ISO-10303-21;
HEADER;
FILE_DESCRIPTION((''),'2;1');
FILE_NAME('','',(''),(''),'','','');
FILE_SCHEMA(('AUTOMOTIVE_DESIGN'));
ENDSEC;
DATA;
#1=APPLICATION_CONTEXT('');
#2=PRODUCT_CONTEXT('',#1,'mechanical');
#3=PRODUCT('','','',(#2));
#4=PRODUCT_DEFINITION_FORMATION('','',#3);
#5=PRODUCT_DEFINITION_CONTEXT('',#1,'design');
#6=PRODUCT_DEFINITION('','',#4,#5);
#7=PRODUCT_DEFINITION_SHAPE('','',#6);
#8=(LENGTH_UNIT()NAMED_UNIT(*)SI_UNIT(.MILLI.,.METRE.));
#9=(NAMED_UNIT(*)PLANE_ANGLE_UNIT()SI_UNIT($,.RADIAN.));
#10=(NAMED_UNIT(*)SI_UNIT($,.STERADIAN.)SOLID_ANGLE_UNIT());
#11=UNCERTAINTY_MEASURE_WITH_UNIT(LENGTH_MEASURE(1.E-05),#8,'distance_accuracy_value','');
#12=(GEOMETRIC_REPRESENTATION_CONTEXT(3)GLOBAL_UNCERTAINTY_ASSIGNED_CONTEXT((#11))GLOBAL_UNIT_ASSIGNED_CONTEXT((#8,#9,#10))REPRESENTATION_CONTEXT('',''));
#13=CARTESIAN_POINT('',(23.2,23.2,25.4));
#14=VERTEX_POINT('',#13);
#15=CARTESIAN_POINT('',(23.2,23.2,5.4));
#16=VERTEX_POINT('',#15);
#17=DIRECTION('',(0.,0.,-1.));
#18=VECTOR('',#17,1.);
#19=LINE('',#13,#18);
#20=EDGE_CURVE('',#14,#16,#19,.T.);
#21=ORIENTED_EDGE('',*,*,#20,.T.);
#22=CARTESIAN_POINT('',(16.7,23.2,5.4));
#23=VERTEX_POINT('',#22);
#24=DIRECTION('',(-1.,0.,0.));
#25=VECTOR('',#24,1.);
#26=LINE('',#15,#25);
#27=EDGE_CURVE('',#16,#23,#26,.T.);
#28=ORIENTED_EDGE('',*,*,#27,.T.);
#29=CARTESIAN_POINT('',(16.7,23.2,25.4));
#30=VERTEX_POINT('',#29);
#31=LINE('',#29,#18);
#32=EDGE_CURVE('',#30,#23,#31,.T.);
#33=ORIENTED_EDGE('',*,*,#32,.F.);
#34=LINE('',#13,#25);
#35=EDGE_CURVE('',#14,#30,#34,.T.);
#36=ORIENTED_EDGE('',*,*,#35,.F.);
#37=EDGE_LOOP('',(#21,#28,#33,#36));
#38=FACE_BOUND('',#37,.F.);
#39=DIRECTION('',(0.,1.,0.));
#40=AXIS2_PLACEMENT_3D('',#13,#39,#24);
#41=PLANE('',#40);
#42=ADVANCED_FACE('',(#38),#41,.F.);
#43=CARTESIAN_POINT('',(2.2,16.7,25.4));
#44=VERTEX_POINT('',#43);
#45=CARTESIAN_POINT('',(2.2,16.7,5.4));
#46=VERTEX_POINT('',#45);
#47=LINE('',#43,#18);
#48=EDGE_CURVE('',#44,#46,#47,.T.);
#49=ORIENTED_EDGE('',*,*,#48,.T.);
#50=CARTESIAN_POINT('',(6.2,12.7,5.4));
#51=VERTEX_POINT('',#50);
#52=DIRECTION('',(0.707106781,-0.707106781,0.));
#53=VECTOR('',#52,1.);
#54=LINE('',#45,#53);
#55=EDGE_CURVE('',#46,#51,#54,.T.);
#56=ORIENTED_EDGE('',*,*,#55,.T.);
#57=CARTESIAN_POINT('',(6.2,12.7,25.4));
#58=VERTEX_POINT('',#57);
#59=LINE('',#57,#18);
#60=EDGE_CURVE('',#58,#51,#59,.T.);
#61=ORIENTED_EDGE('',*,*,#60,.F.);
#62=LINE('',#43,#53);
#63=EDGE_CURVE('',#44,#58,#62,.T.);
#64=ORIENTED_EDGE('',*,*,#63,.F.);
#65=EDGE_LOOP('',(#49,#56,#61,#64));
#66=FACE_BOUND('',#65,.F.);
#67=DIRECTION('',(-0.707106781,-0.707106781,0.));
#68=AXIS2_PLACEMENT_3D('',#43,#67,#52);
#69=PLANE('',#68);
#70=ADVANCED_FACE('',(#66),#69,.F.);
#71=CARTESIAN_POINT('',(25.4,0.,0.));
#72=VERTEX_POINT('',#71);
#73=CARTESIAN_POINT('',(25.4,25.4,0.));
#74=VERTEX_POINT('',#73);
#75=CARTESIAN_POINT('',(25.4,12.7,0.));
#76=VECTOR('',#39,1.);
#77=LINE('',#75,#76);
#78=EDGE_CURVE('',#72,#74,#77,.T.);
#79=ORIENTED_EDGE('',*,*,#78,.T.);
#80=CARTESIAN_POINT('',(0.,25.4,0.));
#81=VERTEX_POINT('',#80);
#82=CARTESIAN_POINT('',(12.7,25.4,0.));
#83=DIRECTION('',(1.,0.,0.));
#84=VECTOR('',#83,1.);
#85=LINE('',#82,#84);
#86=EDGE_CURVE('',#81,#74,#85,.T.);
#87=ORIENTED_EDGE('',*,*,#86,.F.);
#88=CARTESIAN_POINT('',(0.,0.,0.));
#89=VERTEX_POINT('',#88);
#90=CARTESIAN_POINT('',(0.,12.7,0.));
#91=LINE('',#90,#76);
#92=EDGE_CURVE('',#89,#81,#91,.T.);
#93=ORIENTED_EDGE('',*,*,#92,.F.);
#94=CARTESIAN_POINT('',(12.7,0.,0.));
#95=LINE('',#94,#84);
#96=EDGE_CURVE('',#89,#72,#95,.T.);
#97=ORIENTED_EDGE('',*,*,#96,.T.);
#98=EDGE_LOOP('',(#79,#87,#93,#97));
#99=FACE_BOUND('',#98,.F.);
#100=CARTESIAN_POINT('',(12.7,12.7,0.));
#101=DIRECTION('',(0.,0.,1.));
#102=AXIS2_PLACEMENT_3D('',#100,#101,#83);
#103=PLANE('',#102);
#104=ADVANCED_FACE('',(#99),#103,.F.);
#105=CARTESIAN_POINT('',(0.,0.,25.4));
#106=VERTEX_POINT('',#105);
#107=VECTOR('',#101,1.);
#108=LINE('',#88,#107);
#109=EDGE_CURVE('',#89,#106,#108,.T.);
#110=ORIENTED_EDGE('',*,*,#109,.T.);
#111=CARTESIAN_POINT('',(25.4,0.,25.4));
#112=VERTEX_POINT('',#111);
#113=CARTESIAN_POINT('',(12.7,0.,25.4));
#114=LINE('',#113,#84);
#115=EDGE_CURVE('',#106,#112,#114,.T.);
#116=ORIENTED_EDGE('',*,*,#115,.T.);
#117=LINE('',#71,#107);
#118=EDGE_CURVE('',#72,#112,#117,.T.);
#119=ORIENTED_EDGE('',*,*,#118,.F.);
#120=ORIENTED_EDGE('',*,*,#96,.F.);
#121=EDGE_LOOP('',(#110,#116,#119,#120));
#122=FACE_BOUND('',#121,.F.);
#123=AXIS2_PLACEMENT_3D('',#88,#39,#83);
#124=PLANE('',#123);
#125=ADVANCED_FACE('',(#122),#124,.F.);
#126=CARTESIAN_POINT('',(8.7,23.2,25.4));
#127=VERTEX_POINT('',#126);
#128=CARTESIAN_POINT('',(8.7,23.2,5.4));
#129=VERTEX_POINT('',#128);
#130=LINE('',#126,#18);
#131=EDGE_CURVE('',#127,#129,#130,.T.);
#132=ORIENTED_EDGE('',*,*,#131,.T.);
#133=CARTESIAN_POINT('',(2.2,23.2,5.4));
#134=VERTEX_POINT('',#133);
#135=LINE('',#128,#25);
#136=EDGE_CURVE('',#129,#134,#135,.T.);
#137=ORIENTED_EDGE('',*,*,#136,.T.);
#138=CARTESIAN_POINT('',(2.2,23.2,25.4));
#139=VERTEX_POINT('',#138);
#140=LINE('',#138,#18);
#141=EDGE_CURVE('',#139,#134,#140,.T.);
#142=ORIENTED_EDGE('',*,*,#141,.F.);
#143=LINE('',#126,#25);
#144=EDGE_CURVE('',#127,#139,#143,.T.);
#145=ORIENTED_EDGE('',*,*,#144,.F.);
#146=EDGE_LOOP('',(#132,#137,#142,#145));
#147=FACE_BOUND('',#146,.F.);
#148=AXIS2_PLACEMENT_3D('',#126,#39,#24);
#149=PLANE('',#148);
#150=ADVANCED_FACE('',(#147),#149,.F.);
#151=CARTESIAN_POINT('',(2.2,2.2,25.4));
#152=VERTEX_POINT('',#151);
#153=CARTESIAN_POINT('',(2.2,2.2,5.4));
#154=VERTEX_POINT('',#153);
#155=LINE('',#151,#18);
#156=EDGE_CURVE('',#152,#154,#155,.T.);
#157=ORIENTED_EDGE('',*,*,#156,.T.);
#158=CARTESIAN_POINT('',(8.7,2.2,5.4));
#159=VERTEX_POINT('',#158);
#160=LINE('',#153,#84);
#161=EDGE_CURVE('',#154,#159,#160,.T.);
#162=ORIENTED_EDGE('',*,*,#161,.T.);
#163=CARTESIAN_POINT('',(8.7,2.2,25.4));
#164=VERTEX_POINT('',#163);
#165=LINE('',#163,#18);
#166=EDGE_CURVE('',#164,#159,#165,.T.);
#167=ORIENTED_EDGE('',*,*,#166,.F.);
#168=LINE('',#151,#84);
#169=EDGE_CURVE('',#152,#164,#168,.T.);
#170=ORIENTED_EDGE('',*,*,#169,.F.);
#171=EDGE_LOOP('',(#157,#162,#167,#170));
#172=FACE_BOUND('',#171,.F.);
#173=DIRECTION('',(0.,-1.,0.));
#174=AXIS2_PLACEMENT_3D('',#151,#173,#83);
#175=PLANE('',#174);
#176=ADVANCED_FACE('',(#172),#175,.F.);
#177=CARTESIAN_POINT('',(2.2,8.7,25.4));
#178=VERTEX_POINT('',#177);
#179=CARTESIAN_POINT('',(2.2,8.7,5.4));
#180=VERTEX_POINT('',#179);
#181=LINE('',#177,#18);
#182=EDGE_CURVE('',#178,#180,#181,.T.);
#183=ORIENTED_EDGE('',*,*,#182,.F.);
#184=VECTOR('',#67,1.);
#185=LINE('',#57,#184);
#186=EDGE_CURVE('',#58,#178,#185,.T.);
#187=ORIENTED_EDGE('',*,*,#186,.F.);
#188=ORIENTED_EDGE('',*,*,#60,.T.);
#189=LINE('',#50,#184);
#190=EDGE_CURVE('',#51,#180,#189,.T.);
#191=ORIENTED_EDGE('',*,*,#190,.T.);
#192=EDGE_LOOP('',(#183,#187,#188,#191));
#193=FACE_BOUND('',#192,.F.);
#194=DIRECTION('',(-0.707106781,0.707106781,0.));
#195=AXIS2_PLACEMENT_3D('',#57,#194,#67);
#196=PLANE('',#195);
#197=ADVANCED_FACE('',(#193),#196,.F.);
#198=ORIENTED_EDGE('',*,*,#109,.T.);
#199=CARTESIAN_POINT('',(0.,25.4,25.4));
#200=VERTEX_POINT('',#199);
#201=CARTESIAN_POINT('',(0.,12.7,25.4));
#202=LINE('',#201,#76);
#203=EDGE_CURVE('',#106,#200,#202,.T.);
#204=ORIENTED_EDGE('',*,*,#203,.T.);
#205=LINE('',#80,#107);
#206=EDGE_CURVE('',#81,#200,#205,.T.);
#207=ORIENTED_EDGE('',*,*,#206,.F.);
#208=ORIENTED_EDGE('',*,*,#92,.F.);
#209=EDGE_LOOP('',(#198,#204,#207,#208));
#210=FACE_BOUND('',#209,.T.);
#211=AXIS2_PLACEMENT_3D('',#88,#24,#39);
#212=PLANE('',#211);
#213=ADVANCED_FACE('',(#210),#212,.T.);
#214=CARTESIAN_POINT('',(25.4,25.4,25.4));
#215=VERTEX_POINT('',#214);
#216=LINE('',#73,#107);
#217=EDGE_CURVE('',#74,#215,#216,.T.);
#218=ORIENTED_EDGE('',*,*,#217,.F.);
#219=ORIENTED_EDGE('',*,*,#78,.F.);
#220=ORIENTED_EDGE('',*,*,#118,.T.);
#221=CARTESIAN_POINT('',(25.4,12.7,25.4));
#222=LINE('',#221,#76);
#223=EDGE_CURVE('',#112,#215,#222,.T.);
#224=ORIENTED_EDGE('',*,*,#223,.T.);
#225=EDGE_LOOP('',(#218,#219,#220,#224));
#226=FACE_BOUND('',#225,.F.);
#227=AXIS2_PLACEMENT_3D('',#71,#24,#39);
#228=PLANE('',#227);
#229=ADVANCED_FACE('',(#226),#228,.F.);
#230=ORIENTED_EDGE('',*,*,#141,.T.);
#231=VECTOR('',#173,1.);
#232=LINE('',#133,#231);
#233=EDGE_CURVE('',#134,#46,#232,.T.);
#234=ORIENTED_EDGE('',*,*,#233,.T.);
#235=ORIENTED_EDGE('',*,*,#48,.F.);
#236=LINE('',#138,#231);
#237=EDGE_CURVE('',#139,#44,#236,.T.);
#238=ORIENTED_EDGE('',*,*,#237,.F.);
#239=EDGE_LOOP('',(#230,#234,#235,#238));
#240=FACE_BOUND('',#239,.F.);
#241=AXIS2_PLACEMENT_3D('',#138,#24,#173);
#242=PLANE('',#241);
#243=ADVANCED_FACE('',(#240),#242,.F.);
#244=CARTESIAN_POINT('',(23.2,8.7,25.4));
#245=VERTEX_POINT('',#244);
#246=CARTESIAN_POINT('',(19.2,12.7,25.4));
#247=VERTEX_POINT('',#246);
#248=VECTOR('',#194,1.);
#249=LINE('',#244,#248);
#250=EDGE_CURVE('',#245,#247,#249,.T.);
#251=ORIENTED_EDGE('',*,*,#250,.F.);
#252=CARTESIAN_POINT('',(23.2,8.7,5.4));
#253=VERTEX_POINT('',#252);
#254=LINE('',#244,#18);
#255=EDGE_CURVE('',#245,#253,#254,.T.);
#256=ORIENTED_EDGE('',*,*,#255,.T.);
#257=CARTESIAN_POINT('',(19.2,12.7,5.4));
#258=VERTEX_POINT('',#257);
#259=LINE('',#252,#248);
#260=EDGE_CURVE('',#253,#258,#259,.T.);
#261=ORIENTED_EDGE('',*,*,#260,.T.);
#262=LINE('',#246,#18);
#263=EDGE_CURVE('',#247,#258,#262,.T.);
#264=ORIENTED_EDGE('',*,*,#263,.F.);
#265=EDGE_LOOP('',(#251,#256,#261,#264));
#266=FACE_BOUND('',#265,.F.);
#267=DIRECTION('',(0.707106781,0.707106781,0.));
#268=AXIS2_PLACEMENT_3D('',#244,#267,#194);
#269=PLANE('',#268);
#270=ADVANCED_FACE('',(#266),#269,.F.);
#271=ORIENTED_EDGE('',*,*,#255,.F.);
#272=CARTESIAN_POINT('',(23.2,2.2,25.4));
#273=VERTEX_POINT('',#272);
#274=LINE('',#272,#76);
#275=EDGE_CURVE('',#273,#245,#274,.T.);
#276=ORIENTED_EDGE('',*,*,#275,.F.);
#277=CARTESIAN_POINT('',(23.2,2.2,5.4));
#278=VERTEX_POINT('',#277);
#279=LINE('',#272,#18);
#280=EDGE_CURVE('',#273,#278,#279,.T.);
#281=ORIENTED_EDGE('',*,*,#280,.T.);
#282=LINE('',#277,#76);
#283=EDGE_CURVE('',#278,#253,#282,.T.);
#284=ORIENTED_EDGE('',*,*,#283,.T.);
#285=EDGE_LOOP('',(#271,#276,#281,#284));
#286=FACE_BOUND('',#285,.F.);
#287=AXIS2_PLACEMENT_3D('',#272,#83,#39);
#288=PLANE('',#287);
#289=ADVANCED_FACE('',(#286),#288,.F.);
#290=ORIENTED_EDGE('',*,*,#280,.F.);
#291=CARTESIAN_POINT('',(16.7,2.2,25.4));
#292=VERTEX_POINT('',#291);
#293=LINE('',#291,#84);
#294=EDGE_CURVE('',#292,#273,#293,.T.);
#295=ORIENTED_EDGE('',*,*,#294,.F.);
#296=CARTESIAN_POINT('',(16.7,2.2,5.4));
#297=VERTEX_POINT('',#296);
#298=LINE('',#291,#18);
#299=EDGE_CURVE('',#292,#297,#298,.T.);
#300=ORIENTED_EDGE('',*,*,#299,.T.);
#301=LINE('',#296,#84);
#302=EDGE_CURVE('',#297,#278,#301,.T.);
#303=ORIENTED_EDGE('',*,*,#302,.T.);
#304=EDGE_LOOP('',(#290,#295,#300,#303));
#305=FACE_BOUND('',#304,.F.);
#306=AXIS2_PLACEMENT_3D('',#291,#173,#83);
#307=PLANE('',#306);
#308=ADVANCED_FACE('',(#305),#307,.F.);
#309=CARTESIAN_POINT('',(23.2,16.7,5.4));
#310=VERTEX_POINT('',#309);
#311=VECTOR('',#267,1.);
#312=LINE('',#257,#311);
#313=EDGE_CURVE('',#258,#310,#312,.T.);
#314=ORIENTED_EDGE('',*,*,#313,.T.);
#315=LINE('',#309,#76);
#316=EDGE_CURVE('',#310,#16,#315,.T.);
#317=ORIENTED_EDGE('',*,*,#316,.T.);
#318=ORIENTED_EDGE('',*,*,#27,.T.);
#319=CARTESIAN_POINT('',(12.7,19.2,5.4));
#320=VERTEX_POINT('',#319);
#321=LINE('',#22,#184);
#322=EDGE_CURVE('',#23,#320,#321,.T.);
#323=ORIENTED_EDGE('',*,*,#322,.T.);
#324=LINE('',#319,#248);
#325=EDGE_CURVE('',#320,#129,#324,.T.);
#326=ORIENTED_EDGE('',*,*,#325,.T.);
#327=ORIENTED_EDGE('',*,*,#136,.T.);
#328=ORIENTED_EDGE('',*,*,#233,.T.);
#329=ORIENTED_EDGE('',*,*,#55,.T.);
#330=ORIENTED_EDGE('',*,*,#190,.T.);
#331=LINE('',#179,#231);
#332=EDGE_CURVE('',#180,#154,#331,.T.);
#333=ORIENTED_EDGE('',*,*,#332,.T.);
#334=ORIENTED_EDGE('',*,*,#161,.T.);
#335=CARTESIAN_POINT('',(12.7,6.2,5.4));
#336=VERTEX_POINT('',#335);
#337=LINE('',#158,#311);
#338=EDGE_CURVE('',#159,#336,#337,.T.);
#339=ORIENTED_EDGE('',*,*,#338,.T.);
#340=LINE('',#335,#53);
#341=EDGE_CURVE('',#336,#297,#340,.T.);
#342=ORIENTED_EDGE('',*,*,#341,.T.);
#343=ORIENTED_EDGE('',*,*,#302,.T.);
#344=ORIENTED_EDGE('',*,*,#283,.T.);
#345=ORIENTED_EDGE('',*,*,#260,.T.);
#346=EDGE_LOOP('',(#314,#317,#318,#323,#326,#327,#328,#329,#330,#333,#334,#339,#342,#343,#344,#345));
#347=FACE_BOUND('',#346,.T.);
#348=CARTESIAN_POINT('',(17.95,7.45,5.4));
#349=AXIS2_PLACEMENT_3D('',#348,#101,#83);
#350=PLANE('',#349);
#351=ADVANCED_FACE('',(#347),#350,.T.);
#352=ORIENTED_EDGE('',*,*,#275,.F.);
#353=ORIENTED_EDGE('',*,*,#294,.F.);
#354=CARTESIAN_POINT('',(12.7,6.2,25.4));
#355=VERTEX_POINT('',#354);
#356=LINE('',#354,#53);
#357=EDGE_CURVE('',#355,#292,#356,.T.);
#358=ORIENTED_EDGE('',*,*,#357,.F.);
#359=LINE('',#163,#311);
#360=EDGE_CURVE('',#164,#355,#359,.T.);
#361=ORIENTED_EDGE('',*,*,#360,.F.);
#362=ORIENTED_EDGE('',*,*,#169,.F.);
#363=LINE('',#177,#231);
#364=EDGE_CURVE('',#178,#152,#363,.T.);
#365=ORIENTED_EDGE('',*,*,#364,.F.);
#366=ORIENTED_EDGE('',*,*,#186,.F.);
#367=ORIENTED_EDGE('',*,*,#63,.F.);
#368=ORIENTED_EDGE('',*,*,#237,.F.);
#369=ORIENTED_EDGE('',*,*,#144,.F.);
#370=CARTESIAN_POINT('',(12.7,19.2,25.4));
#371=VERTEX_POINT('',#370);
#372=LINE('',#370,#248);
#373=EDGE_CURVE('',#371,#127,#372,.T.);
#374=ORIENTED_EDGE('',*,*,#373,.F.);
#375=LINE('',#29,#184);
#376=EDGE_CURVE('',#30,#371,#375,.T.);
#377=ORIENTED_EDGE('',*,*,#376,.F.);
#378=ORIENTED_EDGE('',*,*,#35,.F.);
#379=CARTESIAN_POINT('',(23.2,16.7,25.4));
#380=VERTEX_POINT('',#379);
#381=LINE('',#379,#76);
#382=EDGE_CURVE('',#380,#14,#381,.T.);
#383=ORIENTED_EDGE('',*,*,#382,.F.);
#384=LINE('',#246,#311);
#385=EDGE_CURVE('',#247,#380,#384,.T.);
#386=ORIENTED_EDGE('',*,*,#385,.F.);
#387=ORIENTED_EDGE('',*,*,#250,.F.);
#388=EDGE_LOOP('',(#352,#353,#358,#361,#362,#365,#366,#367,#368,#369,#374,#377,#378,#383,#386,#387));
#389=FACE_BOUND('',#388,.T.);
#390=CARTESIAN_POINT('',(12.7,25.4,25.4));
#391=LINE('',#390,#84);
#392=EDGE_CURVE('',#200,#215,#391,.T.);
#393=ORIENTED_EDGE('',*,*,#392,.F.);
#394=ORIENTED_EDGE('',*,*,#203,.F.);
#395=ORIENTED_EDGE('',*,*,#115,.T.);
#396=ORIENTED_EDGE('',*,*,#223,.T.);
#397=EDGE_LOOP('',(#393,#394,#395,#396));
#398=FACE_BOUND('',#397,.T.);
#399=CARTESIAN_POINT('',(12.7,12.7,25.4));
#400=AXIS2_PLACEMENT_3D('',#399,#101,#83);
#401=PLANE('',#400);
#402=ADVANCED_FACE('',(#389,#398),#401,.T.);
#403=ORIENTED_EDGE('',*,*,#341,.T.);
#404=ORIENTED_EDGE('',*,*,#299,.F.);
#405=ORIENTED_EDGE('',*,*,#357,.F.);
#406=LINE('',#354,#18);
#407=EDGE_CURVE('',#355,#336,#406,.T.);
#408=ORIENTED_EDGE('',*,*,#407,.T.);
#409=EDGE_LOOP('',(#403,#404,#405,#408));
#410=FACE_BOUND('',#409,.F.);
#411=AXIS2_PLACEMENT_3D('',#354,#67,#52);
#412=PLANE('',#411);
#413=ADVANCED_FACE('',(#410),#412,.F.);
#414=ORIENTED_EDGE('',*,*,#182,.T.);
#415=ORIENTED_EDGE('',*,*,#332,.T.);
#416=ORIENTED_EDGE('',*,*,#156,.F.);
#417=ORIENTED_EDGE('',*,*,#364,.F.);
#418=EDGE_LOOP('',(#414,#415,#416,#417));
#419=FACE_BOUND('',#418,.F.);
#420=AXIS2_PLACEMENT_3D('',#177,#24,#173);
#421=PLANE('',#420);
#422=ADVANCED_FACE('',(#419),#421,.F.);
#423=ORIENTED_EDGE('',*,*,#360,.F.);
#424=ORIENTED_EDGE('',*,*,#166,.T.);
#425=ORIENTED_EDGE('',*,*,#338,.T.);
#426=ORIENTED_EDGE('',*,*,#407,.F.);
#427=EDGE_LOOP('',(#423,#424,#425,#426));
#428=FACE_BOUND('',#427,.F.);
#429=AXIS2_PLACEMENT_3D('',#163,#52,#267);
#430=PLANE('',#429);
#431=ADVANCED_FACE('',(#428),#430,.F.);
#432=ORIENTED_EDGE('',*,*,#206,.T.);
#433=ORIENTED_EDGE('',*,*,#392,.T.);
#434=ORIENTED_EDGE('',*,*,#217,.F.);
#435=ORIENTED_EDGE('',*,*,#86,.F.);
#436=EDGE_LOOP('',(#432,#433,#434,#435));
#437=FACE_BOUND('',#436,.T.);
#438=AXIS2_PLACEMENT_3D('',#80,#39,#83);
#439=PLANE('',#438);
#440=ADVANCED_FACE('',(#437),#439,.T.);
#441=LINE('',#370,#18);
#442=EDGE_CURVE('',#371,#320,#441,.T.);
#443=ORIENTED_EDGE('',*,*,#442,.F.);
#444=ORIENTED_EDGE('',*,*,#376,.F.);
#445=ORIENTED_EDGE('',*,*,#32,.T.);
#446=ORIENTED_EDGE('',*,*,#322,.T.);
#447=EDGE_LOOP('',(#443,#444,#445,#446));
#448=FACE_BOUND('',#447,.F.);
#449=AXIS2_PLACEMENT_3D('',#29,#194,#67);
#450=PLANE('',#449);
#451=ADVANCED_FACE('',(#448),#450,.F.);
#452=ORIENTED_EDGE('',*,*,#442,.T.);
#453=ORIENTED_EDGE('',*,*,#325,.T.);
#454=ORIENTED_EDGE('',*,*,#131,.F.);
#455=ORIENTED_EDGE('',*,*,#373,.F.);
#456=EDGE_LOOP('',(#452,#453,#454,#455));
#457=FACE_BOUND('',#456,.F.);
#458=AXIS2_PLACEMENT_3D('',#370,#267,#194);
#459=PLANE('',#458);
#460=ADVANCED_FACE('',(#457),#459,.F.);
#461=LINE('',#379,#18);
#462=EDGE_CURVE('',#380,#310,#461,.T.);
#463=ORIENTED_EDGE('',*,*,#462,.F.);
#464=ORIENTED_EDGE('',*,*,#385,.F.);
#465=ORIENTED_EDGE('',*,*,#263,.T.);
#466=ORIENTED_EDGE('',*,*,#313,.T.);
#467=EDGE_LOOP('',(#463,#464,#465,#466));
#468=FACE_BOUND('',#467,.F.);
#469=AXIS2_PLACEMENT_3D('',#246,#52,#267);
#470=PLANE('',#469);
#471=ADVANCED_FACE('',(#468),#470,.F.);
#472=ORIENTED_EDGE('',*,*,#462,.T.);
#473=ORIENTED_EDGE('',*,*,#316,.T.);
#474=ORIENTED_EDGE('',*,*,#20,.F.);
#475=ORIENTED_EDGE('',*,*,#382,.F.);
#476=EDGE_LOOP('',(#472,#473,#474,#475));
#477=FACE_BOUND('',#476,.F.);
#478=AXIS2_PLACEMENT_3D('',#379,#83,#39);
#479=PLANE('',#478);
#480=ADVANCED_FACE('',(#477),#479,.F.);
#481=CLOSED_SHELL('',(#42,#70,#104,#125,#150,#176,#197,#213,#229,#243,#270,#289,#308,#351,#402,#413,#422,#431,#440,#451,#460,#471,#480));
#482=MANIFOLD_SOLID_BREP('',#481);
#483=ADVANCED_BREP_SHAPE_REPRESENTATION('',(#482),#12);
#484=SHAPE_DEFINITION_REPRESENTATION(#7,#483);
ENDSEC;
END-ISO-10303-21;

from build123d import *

# Parameters (mm, degrees)
F0_W     = 25.4
F0_H     = 25.4
F1_DEPTH = 25.4
F3_DEPTH = 20


with BuildPart() as f1:
    # F0 (on Top) → F1 (new body)
    with BuildSketch(Plane.XY):
        with Locations((12.7, 12.7)):
            Rectangle(F0_W, F0_H)
    extrude(amount=F1_DEPTH)

    # F2 (on face) → F3 (cut)
    with BuildSketch(Plane.XY.offset(25.4)):
        Polygon((19.2, 12.7), (12.7, 12.7), (12.7, 6.2), (16.7, 2.2), (23.2, 2.2), (23.2, 8.7), align=None)
        Polygon((12.7, 19.2), (12.7, 12.7), (19.2, 12.7), (23.2, 16.7), (23.2, 23.2), (16.7, 23.2), align=None)
        Polygon((12.7, 12.7), (6.2, 12.7), (2.2, 8.7), (2.2, 2.2), (8.7, 2.2), (12.7, 6.2), align=None)
        Polygon((2.2, 16.7), (6.2, 12.7), (12.7, 12.7), (12.7, 19.2), (8.7, 23.2), (2.2, 23.2), align=None)
    extrude(amount=-F3_DEPTH, mode=Mode.SUBTRACT)


solid = f1.part
